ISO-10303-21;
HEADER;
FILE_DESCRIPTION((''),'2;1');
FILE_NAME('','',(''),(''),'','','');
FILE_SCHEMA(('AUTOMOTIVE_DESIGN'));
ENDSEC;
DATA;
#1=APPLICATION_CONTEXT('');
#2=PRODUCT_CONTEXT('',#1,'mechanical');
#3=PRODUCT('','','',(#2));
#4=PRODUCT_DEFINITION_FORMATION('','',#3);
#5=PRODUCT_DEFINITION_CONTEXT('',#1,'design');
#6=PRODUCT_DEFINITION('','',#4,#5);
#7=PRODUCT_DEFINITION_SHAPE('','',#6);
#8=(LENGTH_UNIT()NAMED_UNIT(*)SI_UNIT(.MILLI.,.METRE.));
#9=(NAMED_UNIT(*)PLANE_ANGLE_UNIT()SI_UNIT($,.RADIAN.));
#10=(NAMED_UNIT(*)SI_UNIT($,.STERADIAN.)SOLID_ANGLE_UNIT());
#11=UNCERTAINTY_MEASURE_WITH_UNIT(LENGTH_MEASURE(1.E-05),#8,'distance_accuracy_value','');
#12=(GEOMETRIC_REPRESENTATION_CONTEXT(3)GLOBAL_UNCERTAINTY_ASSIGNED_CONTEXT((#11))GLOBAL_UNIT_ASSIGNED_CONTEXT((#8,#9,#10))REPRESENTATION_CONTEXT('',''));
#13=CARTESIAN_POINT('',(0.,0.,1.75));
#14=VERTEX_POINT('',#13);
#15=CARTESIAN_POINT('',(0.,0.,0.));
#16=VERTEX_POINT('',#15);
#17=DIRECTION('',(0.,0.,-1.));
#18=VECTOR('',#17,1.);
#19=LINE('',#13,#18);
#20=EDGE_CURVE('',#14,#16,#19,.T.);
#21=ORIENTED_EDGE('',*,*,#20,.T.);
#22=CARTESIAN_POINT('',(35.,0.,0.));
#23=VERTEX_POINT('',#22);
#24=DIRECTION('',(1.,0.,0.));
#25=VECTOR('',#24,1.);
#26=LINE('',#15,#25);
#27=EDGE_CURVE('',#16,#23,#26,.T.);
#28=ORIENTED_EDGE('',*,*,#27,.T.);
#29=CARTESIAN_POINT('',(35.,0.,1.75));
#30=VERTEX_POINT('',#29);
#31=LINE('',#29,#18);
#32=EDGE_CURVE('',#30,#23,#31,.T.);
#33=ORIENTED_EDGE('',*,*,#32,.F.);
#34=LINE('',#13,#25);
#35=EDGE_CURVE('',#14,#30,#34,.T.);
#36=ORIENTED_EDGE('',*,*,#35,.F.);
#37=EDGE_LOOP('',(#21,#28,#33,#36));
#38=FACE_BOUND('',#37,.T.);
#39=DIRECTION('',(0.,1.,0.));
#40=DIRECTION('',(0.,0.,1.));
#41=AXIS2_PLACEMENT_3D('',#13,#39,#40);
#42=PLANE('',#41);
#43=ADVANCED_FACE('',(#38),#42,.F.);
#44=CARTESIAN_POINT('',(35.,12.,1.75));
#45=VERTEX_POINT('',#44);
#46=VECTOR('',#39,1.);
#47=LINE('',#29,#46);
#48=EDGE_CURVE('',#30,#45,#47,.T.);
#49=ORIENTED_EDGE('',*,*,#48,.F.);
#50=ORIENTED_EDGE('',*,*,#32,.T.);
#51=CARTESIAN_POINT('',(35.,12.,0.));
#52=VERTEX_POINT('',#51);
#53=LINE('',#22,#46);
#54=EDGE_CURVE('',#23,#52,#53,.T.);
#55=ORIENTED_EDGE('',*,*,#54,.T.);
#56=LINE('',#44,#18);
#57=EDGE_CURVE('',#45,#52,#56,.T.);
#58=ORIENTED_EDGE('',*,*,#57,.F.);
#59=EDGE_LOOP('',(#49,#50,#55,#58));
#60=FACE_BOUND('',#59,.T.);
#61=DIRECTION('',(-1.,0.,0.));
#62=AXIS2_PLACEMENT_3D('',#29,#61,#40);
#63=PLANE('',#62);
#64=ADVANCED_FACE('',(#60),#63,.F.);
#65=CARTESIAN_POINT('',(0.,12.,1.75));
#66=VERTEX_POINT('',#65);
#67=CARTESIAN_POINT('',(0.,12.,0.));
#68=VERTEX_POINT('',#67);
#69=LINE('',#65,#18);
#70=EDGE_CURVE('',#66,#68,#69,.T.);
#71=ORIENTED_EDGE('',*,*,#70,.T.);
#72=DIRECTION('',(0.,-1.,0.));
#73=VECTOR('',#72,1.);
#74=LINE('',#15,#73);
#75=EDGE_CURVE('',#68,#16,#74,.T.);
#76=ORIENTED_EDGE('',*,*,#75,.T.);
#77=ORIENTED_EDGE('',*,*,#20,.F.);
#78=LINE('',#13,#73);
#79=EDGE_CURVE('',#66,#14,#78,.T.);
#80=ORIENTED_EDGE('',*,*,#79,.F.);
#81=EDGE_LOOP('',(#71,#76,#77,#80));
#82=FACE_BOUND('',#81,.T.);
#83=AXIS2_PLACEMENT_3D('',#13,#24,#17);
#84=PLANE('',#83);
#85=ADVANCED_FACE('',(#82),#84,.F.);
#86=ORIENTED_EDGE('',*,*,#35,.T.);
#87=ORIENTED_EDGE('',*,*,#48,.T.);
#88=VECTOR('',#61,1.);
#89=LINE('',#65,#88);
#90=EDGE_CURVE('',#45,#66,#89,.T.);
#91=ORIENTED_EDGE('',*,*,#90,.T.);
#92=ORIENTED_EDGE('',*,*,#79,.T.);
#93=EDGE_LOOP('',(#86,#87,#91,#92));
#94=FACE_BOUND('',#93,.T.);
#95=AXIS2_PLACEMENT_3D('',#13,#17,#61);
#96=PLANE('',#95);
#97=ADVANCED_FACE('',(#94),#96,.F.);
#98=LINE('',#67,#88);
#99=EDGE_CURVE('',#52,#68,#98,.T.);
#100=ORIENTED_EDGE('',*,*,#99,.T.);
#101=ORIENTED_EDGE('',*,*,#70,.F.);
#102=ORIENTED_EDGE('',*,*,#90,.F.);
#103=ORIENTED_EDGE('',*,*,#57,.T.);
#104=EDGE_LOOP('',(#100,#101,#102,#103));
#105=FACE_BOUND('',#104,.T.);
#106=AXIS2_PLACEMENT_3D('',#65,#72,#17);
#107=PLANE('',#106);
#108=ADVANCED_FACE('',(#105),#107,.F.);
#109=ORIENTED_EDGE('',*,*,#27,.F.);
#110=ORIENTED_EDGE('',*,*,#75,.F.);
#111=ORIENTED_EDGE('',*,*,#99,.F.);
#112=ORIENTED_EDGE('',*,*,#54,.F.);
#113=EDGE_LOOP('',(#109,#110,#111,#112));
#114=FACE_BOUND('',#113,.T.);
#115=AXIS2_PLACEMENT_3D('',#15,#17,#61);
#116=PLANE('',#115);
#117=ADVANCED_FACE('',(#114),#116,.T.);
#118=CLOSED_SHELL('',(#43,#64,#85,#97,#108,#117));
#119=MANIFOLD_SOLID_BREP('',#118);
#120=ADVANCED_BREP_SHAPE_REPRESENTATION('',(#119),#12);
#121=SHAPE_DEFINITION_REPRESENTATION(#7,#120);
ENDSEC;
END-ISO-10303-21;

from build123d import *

# Parameters (mm, degrees)
IZIM1_W                     = 35
IZIM1_H                     = 12
Y_KSEKLIK_EKSTR_ZYON1_DEPTH = 1.75


with BuildPart() as part:
    # Çizim1 → Yükseklik-Ekstrüzyon1 (new body)
    with BuildSketch(Plane.XY):
        with Locations((17.5, 6)):
            Rectangle(IZIM1_W, IZIM1_H)
    extrude(amount=Y_KSEKLIK_EKSTR_ZYON1_DEPTH)


solid = part.part
